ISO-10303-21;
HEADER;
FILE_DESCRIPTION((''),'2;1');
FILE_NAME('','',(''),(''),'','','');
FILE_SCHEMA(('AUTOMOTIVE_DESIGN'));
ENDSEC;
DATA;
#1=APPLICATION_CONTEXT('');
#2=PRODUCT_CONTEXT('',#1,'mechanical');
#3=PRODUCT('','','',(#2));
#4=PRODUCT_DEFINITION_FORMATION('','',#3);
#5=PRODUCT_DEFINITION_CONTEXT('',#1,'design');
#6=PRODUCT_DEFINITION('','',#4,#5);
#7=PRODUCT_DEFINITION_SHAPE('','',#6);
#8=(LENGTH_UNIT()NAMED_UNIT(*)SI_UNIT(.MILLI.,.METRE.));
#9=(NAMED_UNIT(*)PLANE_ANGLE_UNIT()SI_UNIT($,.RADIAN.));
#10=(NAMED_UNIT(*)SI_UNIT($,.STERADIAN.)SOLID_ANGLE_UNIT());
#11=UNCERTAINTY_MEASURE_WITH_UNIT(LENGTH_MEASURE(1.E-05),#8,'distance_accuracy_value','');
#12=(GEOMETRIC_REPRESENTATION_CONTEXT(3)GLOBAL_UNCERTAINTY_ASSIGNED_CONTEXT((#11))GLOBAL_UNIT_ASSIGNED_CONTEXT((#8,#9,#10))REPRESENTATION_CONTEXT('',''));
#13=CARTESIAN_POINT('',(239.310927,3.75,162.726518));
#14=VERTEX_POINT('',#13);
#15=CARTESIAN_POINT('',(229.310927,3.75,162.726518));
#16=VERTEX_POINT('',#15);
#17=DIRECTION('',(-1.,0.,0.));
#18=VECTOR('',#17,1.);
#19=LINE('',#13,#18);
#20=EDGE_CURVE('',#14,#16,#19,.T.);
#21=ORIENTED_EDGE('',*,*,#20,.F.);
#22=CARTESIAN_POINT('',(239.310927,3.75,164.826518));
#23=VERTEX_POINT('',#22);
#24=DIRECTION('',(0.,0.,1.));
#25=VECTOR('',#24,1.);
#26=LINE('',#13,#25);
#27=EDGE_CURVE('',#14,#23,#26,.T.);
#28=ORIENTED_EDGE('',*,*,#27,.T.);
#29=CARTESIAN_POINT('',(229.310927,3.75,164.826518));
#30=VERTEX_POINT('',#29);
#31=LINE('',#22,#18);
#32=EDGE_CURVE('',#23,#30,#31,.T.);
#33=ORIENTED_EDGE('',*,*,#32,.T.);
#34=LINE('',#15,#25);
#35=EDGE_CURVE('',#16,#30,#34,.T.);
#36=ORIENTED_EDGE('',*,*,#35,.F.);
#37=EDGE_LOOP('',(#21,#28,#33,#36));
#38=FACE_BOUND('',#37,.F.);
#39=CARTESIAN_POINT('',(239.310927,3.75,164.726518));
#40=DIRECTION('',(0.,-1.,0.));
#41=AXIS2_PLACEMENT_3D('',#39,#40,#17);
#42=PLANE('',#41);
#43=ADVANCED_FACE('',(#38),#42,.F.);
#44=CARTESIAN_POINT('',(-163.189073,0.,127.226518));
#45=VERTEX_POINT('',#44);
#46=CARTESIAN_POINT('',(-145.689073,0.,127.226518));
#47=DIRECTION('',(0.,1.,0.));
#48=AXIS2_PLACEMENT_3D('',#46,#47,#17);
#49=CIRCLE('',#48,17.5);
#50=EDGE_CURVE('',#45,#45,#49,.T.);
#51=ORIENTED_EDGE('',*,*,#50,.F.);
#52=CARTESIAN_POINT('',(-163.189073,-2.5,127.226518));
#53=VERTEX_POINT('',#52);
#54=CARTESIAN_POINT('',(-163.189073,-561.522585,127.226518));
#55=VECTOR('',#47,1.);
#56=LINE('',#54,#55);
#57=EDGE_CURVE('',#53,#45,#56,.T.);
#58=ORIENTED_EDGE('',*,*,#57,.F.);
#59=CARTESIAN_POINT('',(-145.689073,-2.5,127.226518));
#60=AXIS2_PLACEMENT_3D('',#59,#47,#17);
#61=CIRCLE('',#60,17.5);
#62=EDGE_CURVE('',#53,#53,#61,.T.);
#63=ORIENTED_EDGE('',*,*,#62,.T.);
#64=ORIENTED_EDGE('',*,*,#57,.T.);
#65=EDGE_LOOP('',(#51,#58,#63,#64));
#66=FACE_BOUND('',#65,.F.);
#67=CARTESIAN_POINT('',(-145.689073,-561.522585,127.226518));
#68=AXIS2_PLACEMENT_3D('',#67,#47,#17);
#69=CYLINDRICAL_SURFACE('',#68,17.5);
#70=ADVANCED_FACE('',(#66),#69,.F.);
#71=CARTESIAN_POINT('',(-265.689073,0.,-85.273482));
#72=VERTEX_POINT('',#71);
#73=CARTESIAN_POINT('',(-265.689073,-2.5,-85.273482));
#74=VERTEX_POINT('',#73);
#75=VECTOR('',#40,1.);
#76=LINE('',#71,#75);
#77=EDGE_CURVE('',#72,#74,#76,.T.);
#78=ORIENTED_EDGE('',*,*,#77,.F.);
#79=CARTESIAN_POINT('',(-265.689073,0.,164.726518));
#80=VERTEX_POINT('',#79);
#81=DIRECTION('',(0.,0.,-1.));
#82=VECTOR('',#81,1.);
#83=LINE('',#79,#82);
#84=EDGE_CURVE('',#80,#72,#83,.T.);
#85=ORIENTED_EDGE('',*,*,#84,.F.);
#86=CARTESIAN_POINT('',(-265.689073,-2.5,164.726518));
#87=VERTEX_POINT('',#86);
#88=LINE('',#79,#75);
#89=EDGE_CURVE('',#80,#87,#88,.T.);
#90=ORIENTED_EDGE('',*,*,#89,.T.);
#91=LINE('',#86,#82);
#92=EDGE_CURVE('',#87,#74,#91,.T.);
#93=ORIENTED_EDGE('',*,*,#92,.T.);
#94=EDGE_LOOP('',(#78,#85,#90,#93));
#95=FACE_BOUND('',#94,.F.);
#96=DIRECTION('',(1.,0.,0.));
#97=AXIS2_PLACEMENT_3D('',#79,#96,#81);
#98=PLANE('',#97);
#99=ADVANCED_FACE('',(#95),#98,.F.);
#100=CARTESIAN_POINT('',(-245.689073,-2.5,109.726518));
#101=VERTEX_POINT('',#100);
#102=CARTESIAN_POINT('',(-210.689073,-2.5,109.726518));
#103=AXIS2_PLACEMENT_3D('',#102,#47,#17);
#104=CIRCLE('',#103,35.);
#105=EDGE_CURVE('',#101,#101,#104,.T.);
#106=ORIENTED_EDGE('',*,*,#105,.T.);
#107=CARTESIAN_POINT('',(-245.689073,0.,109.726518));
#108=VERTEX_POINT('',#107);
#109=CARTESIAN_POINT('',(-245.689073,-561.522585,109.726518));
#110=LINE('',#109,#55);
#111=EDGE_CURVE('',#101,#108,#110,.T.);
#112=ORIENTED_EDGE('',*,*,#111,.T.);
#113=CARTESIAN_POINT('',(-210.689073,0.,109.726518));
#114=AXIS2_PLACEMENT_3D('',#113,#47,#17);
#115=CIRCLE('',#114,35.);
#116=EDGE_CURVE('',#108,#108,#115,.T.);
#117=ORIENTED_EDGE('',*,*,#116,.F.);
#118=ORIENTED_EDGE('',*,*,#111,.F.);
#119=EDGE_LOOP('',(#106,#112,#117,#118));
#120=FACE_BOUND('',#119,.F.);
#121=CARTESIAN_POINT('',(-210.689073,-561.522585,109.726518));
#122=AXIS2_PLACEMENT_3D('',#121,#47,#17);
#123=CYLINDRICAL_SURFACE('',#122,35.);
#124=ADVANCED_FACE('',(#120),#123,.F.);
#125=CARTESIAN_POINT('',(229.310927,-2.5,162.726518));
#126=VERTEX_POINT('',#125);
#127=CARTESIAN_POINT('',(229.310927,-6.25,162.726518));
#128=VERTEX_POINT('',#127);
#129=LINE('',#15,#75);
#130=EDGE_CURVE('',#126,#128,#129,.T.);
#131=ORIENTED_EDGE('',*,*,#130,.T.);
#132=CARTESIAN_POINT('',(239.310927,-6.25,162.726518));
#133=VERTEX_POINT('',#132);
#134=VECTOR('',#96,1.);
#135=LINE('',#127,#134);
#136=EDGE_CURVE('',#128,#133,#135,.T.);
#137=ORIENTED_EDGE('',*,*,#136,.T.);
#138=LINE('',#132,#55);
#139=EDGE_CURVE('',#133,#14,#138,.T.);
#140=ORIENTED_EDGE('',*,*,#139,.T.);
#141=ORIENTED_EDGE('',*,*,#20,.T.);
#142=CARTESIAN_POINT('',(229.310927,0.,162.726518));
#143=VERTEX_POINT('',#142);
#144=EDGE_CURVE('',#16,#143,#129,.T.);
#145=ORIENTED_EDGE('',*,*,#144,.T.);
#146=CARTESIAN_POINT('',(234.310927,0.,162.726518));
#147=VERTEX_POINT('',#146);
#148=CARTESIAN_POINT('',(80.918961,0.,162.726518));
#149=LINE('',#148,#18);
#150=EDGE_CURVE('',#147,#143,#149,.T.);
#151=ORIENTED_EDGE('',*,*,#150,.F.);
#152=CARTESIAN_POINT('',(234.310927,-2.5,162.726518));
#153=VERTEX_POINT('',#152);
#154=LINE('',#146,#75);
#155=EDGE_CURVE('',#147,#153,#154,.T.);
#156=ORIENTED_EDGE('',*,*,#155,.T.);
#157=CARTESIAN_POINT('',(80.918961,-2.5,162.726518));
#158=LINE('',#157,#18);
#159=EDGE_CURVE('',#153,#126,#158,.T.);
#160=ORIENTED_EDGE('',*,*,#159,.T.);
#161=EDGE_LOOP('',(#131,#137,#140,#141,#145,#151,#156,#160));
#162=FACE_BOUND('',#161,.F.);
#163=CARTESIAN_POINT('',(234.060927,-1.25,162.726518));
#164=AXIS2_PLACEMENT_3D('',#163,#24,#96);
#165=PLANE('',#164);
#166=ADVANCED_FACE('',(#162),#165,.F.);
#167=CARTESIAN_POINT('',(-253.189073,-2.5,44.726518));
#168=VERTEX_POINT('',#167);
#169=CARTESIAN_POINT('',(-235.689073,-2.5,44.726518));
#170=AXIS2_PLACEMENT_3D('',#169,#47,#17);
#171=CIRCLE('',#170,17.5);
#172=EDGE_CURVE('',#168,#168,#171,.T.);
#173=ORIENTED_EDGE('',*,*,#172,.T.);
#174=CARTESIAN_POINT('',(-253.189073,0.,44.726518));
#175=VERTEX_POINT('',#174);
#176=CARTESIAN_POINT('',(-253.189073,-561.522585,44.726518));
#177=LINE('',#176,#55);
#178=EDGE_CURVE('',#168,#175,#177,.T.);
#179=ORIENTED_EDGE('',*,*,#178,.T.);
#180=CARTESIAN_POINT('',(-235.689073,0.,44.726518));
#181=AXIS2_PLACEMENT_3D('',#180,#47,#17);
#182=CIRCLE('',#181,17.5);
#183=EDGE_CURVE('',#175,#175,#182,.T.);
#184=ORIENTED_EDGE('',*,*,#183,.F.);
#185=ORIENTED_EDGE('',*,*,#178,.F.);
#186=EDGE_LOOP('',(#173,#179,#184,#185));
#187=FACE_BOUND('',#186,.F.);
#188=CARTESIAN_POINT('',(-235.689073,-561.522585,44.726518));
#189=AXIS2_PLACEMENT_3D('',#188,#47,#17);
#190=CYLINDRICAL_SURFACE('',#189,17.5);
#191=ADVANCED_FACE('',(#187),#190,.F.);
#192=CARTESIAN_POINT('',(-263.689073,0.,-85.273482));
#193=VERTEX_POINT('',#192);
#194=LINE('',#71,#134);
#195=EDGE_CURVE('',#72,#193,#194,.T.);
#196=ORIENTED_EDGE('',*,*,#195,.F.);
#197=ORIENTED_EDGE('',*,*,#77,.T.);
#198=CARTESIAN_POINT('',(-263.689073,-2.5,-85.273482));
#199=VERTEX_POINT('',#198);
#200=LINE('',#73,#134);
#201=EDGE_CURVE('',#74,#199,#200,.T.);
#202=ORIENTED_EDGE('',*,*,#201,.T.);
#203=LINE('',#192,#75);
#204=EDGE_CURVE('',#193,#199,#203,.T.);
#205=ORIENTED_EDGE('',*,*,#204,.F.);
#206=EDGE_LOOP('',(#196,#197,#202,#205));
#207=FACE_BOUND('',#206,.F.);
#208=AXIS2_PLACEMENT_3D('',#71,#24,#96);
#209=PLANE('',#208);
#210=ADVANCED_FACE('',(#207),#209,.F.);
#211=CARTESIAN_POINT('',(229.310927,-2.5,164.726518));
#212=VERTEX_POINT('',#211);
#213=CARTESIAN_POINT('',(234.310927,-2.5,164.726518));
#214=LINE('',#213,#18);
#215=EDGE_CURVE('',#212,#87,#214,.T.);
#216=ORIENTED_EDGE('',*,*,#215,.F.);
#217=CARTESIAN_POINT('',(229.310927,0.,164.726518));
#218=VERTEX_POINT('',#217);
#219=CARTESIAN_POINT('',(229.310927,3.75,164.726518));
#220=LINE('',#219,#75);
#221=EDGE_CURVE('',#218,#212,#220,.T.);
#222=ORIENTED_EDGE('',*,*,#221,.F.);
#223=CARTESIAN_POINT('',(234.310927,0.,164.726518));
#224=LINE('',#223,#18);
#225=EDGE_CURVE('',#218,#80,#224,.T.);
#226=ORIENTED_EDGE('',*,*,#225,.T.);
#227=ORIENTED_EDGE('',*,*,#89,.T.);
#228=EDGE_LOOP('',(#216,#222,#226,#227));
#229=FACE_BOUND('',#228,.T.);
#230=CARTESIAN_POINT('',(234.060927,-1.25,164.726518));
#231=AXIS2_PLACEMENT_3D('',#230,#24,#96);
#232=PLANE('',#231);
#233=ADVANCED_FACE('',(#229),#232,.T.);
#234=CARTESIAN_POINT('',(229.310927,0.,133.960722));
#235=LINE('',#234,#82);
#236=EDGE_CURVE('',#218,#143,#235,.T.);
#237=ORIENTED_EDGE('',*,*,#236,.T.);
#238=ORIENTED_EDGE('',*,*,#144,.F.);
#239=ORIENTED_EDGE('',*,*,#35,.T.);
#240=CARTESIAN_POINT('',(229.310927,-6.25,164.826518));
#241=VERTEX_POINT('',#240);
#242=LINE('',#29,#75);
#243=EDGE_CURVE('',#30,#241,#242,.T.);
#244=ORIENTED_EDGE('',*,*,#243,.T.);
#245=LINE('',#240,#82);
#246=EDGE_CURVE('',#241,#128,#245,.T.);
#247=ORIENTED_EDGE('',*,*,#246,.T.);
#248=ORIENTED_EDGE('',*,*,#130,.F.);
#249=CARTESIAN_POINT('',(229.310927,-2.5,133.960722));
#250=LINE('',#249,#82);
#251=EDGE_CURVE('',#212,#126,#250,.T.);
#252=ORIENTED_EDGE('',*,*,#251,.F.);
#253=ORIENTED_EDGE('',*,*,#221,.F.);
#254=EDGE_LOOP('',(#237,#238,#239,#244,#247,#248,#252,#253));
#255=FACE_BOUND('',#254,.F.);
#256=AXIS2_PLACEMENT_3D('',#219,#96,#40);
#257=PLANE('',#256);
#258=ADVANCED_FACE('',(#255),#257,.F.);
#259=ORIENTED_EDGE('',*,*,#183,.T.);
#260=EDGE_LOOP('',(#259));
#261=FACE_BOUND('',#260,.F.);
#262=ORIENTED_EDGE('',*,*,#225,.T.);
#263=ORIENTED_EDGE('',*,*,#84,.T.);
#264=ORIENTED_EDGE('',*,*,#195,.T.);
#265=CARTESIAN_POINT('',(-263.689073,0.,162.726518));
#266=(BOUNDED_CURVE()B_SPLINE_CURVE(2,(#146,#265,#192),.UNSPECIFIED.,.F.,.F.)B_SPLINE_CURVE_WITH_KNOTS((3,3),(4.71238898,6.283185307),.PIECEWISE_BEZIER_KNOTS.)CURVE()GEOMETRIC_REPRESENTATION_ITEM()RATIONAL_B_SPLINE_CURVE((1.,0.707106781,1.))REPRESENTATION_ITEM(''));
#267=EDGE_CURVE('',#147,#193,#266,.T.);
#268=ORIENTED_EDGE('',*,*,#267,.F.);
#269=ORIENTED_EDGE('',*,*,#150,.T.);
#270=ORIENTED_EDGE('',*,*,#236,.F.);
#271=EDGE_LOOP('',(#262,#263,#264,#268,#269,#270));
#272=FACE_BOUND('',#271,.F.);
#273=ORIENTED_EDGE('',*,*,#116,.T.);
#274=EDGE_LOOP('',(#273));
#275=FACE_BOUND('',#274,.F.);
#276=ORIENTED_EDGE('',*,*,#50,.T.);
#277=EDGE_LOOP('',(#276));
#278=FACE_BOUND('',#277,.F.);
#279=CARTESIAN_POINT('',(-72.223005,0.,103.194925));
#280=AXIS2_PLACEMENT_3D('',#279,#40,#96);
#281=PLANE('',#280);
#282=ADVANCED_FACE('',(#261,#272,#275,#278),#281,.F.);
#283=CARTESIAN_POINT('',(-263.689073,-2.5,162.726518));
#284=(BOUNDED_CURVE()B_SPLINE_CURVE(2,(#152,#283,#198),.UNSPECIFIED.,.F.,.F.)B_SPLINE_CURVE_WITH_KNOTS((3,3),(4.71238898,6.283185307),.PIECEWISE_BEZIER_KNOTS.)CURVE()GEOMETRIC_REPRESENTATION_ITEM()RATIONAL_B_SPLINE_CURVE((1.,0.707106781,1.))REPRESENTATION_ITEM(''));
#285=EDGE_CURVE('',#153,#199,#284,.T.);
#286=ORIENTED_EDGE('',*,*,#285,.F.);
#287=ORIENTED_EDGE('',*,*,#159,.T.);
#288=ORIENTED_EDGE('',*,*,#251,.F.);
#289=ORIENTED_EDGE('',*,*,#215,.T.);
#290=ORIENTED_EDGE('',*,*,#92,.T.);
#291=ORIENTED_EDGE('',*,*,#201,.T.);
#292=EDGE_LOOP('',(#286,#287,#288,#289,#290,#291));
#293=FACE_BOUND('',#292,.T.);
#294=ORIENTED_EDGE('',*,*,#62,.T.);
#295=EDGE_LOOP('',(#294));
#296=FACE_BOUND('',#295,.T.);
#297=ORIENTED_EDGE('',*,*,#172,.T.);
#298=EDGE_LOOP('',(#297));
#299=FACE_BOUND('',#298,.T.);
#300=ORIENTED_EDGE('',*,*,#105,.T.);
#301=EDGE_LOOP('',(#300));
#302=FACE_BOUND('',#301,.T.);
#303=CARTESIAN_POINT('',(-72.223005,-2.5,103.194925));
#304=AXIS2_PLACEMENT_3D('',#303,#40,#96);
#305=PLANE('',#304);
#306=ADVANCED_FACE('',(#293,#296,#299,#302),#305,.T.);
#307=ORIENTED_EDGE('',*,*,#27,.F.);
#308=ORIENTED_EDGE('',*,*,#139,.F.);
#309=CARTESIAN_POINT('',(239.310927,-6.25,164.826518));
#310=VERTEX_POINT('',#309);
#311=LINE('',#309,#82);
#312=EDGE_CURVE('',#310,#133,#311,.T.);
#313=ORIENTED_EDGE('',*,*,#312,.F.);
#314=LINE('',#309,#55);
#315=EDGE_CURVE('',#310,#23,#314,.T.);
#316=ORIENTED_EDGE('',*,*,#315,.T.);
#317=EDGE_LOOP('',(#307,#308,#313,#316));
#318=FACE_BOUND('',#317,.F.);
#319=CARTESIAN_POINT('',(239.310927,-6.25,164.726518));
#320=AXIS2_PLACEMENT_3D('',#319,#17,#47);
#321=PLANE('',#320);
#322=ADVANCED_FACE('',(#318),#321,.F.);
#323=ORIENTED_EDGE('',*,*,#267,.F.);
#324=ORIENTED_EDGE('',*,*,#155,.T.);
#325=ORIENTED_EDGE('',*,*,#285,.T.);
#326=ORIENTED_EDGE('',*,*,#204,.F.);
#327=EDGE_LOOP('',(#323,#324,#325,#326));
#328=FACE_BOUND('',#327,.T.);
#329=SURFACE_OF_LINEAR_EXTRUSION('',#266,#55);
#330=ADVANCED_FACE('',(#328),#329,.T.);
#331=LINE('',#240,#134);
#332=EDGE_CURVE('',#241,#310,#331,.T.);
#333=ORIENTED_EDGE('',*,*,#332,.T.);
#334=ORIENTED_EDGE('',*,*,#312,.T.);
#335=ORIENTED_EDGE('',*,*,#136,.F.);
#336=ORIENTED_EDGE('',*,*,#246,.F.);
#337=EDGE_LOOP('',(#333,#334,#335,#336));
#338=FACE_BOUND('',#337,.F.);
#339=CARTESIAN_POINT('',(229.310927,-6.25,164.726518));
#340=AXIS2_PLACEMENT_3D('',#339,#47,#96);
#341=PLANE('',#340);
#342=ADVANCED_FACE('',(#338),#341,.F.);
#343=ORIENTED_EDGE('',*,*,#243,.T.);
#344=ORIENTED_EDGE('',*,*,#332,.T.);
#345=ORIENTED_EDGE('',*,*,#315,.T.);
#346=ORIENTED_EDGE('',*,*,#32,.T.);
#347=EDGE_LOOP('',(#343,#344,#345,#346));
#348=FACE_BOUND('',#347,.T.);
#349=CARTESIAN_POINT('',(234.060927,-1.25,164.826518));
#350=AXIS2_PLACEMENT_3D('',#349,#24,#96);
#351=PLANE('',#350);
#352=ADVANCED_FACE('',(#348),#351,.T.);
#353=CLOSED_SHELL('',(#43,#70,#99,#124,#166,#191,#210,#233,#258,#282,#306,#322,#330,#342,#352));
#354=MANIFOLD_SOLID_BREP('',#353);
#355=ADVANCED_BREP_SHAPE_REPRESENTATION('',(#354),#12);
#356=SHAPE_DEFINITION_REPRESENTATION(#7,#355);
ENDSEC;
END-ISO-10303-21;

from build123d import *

# Parameters (mm, degrees)
F1_DEPTH = 2.5
F3_D     = 70
F4_D     = 35
F5_W     = 5
F5_H     = 2.5
F6_DEPTH = 2
F7_DEPTH = 0.1


with BuildPart() as f1:
    # F0 (on Front) → F1 (new body)
    with BuildSketch(Plane.XZ):
        with BuildLine():
            Line((234.3109268695, 164.7265180945), (-265.6890731305, 164.7265180945))
            Line((-265.6890731305, 164.7265180945), (-265.6890731305, -85.2734819055))
            Line((-265.6890731305, -85.2734819055), (-263.6890731305, -85.2734819055))
            add(Edge.make_bspline(
                [(234.3109268695, 162.7265180945), (-263.6890731305, 162.7265180945), (-263.6890731305, -85.2734819055)],
                knots=[4.7123889804, 4.7123889804, 4.7123889804, 6.2831853072, 6.2831853072, 6.2831853072], degree=2, weights=[1, 0.7071067812, 1]))
            Line((234.3109268695, 162.7265180945), (234.3109268695, 164.7265180945))
        make_face()
    extrude(amount=F1_DEPTH)

    # F3 (through all)
    with Locations(Plane.XZ.offset(2.5)):
        with Locations((-210.6890731305, 109.7265180945)):
            Hole(F3_D / 2)

    # F4 (through all)
    with Locations(Plane.XZ.offset(2.5)):
        with Locations((-145.6890731305, 127.2265180945), (-235.6890731305, 44.7265180945)):
            Hole(F4_D / 2)

    # F5 (on face) → F6 (join)
    with BuildSketch(Plane.XY.offset(164.7265180945)):
        Polygon((239.3109268695, -6.25), (239.3109268695, 3.75), (229.3109268695, 3.75), (229.3109268695, 0), (234.3109268695, 0), (234.3109268695, -2.5), (229.3109268695, -2.5), (229.3109268695, -6.25), align=None)
        with Locations((231.8109268695, -1.25)):
            Rectangle(F5_W, F5_H)
    extrude(amount=-F6_DEPTH)

    # F5 (on face) → F7 (join)
    with BuildSketch(Plane.XY.offset(164.7265180945)):
        Polygon((239.3109268695, -6.25), (239.3109268695, 3.75), (229.3109268695, 3.75), (229.3109268695, 0), (234.3109268695, 0), (234.3109268695, -2.5), (229.3109268695, -2.5), (229.3109268695, -6.25), align=None)
        with Locations((231.8109268695, -1.25)):
            Rectangle(F5_W, F5_H)
    extrude(amount=F7_DEPTH)


solid = f1.part
